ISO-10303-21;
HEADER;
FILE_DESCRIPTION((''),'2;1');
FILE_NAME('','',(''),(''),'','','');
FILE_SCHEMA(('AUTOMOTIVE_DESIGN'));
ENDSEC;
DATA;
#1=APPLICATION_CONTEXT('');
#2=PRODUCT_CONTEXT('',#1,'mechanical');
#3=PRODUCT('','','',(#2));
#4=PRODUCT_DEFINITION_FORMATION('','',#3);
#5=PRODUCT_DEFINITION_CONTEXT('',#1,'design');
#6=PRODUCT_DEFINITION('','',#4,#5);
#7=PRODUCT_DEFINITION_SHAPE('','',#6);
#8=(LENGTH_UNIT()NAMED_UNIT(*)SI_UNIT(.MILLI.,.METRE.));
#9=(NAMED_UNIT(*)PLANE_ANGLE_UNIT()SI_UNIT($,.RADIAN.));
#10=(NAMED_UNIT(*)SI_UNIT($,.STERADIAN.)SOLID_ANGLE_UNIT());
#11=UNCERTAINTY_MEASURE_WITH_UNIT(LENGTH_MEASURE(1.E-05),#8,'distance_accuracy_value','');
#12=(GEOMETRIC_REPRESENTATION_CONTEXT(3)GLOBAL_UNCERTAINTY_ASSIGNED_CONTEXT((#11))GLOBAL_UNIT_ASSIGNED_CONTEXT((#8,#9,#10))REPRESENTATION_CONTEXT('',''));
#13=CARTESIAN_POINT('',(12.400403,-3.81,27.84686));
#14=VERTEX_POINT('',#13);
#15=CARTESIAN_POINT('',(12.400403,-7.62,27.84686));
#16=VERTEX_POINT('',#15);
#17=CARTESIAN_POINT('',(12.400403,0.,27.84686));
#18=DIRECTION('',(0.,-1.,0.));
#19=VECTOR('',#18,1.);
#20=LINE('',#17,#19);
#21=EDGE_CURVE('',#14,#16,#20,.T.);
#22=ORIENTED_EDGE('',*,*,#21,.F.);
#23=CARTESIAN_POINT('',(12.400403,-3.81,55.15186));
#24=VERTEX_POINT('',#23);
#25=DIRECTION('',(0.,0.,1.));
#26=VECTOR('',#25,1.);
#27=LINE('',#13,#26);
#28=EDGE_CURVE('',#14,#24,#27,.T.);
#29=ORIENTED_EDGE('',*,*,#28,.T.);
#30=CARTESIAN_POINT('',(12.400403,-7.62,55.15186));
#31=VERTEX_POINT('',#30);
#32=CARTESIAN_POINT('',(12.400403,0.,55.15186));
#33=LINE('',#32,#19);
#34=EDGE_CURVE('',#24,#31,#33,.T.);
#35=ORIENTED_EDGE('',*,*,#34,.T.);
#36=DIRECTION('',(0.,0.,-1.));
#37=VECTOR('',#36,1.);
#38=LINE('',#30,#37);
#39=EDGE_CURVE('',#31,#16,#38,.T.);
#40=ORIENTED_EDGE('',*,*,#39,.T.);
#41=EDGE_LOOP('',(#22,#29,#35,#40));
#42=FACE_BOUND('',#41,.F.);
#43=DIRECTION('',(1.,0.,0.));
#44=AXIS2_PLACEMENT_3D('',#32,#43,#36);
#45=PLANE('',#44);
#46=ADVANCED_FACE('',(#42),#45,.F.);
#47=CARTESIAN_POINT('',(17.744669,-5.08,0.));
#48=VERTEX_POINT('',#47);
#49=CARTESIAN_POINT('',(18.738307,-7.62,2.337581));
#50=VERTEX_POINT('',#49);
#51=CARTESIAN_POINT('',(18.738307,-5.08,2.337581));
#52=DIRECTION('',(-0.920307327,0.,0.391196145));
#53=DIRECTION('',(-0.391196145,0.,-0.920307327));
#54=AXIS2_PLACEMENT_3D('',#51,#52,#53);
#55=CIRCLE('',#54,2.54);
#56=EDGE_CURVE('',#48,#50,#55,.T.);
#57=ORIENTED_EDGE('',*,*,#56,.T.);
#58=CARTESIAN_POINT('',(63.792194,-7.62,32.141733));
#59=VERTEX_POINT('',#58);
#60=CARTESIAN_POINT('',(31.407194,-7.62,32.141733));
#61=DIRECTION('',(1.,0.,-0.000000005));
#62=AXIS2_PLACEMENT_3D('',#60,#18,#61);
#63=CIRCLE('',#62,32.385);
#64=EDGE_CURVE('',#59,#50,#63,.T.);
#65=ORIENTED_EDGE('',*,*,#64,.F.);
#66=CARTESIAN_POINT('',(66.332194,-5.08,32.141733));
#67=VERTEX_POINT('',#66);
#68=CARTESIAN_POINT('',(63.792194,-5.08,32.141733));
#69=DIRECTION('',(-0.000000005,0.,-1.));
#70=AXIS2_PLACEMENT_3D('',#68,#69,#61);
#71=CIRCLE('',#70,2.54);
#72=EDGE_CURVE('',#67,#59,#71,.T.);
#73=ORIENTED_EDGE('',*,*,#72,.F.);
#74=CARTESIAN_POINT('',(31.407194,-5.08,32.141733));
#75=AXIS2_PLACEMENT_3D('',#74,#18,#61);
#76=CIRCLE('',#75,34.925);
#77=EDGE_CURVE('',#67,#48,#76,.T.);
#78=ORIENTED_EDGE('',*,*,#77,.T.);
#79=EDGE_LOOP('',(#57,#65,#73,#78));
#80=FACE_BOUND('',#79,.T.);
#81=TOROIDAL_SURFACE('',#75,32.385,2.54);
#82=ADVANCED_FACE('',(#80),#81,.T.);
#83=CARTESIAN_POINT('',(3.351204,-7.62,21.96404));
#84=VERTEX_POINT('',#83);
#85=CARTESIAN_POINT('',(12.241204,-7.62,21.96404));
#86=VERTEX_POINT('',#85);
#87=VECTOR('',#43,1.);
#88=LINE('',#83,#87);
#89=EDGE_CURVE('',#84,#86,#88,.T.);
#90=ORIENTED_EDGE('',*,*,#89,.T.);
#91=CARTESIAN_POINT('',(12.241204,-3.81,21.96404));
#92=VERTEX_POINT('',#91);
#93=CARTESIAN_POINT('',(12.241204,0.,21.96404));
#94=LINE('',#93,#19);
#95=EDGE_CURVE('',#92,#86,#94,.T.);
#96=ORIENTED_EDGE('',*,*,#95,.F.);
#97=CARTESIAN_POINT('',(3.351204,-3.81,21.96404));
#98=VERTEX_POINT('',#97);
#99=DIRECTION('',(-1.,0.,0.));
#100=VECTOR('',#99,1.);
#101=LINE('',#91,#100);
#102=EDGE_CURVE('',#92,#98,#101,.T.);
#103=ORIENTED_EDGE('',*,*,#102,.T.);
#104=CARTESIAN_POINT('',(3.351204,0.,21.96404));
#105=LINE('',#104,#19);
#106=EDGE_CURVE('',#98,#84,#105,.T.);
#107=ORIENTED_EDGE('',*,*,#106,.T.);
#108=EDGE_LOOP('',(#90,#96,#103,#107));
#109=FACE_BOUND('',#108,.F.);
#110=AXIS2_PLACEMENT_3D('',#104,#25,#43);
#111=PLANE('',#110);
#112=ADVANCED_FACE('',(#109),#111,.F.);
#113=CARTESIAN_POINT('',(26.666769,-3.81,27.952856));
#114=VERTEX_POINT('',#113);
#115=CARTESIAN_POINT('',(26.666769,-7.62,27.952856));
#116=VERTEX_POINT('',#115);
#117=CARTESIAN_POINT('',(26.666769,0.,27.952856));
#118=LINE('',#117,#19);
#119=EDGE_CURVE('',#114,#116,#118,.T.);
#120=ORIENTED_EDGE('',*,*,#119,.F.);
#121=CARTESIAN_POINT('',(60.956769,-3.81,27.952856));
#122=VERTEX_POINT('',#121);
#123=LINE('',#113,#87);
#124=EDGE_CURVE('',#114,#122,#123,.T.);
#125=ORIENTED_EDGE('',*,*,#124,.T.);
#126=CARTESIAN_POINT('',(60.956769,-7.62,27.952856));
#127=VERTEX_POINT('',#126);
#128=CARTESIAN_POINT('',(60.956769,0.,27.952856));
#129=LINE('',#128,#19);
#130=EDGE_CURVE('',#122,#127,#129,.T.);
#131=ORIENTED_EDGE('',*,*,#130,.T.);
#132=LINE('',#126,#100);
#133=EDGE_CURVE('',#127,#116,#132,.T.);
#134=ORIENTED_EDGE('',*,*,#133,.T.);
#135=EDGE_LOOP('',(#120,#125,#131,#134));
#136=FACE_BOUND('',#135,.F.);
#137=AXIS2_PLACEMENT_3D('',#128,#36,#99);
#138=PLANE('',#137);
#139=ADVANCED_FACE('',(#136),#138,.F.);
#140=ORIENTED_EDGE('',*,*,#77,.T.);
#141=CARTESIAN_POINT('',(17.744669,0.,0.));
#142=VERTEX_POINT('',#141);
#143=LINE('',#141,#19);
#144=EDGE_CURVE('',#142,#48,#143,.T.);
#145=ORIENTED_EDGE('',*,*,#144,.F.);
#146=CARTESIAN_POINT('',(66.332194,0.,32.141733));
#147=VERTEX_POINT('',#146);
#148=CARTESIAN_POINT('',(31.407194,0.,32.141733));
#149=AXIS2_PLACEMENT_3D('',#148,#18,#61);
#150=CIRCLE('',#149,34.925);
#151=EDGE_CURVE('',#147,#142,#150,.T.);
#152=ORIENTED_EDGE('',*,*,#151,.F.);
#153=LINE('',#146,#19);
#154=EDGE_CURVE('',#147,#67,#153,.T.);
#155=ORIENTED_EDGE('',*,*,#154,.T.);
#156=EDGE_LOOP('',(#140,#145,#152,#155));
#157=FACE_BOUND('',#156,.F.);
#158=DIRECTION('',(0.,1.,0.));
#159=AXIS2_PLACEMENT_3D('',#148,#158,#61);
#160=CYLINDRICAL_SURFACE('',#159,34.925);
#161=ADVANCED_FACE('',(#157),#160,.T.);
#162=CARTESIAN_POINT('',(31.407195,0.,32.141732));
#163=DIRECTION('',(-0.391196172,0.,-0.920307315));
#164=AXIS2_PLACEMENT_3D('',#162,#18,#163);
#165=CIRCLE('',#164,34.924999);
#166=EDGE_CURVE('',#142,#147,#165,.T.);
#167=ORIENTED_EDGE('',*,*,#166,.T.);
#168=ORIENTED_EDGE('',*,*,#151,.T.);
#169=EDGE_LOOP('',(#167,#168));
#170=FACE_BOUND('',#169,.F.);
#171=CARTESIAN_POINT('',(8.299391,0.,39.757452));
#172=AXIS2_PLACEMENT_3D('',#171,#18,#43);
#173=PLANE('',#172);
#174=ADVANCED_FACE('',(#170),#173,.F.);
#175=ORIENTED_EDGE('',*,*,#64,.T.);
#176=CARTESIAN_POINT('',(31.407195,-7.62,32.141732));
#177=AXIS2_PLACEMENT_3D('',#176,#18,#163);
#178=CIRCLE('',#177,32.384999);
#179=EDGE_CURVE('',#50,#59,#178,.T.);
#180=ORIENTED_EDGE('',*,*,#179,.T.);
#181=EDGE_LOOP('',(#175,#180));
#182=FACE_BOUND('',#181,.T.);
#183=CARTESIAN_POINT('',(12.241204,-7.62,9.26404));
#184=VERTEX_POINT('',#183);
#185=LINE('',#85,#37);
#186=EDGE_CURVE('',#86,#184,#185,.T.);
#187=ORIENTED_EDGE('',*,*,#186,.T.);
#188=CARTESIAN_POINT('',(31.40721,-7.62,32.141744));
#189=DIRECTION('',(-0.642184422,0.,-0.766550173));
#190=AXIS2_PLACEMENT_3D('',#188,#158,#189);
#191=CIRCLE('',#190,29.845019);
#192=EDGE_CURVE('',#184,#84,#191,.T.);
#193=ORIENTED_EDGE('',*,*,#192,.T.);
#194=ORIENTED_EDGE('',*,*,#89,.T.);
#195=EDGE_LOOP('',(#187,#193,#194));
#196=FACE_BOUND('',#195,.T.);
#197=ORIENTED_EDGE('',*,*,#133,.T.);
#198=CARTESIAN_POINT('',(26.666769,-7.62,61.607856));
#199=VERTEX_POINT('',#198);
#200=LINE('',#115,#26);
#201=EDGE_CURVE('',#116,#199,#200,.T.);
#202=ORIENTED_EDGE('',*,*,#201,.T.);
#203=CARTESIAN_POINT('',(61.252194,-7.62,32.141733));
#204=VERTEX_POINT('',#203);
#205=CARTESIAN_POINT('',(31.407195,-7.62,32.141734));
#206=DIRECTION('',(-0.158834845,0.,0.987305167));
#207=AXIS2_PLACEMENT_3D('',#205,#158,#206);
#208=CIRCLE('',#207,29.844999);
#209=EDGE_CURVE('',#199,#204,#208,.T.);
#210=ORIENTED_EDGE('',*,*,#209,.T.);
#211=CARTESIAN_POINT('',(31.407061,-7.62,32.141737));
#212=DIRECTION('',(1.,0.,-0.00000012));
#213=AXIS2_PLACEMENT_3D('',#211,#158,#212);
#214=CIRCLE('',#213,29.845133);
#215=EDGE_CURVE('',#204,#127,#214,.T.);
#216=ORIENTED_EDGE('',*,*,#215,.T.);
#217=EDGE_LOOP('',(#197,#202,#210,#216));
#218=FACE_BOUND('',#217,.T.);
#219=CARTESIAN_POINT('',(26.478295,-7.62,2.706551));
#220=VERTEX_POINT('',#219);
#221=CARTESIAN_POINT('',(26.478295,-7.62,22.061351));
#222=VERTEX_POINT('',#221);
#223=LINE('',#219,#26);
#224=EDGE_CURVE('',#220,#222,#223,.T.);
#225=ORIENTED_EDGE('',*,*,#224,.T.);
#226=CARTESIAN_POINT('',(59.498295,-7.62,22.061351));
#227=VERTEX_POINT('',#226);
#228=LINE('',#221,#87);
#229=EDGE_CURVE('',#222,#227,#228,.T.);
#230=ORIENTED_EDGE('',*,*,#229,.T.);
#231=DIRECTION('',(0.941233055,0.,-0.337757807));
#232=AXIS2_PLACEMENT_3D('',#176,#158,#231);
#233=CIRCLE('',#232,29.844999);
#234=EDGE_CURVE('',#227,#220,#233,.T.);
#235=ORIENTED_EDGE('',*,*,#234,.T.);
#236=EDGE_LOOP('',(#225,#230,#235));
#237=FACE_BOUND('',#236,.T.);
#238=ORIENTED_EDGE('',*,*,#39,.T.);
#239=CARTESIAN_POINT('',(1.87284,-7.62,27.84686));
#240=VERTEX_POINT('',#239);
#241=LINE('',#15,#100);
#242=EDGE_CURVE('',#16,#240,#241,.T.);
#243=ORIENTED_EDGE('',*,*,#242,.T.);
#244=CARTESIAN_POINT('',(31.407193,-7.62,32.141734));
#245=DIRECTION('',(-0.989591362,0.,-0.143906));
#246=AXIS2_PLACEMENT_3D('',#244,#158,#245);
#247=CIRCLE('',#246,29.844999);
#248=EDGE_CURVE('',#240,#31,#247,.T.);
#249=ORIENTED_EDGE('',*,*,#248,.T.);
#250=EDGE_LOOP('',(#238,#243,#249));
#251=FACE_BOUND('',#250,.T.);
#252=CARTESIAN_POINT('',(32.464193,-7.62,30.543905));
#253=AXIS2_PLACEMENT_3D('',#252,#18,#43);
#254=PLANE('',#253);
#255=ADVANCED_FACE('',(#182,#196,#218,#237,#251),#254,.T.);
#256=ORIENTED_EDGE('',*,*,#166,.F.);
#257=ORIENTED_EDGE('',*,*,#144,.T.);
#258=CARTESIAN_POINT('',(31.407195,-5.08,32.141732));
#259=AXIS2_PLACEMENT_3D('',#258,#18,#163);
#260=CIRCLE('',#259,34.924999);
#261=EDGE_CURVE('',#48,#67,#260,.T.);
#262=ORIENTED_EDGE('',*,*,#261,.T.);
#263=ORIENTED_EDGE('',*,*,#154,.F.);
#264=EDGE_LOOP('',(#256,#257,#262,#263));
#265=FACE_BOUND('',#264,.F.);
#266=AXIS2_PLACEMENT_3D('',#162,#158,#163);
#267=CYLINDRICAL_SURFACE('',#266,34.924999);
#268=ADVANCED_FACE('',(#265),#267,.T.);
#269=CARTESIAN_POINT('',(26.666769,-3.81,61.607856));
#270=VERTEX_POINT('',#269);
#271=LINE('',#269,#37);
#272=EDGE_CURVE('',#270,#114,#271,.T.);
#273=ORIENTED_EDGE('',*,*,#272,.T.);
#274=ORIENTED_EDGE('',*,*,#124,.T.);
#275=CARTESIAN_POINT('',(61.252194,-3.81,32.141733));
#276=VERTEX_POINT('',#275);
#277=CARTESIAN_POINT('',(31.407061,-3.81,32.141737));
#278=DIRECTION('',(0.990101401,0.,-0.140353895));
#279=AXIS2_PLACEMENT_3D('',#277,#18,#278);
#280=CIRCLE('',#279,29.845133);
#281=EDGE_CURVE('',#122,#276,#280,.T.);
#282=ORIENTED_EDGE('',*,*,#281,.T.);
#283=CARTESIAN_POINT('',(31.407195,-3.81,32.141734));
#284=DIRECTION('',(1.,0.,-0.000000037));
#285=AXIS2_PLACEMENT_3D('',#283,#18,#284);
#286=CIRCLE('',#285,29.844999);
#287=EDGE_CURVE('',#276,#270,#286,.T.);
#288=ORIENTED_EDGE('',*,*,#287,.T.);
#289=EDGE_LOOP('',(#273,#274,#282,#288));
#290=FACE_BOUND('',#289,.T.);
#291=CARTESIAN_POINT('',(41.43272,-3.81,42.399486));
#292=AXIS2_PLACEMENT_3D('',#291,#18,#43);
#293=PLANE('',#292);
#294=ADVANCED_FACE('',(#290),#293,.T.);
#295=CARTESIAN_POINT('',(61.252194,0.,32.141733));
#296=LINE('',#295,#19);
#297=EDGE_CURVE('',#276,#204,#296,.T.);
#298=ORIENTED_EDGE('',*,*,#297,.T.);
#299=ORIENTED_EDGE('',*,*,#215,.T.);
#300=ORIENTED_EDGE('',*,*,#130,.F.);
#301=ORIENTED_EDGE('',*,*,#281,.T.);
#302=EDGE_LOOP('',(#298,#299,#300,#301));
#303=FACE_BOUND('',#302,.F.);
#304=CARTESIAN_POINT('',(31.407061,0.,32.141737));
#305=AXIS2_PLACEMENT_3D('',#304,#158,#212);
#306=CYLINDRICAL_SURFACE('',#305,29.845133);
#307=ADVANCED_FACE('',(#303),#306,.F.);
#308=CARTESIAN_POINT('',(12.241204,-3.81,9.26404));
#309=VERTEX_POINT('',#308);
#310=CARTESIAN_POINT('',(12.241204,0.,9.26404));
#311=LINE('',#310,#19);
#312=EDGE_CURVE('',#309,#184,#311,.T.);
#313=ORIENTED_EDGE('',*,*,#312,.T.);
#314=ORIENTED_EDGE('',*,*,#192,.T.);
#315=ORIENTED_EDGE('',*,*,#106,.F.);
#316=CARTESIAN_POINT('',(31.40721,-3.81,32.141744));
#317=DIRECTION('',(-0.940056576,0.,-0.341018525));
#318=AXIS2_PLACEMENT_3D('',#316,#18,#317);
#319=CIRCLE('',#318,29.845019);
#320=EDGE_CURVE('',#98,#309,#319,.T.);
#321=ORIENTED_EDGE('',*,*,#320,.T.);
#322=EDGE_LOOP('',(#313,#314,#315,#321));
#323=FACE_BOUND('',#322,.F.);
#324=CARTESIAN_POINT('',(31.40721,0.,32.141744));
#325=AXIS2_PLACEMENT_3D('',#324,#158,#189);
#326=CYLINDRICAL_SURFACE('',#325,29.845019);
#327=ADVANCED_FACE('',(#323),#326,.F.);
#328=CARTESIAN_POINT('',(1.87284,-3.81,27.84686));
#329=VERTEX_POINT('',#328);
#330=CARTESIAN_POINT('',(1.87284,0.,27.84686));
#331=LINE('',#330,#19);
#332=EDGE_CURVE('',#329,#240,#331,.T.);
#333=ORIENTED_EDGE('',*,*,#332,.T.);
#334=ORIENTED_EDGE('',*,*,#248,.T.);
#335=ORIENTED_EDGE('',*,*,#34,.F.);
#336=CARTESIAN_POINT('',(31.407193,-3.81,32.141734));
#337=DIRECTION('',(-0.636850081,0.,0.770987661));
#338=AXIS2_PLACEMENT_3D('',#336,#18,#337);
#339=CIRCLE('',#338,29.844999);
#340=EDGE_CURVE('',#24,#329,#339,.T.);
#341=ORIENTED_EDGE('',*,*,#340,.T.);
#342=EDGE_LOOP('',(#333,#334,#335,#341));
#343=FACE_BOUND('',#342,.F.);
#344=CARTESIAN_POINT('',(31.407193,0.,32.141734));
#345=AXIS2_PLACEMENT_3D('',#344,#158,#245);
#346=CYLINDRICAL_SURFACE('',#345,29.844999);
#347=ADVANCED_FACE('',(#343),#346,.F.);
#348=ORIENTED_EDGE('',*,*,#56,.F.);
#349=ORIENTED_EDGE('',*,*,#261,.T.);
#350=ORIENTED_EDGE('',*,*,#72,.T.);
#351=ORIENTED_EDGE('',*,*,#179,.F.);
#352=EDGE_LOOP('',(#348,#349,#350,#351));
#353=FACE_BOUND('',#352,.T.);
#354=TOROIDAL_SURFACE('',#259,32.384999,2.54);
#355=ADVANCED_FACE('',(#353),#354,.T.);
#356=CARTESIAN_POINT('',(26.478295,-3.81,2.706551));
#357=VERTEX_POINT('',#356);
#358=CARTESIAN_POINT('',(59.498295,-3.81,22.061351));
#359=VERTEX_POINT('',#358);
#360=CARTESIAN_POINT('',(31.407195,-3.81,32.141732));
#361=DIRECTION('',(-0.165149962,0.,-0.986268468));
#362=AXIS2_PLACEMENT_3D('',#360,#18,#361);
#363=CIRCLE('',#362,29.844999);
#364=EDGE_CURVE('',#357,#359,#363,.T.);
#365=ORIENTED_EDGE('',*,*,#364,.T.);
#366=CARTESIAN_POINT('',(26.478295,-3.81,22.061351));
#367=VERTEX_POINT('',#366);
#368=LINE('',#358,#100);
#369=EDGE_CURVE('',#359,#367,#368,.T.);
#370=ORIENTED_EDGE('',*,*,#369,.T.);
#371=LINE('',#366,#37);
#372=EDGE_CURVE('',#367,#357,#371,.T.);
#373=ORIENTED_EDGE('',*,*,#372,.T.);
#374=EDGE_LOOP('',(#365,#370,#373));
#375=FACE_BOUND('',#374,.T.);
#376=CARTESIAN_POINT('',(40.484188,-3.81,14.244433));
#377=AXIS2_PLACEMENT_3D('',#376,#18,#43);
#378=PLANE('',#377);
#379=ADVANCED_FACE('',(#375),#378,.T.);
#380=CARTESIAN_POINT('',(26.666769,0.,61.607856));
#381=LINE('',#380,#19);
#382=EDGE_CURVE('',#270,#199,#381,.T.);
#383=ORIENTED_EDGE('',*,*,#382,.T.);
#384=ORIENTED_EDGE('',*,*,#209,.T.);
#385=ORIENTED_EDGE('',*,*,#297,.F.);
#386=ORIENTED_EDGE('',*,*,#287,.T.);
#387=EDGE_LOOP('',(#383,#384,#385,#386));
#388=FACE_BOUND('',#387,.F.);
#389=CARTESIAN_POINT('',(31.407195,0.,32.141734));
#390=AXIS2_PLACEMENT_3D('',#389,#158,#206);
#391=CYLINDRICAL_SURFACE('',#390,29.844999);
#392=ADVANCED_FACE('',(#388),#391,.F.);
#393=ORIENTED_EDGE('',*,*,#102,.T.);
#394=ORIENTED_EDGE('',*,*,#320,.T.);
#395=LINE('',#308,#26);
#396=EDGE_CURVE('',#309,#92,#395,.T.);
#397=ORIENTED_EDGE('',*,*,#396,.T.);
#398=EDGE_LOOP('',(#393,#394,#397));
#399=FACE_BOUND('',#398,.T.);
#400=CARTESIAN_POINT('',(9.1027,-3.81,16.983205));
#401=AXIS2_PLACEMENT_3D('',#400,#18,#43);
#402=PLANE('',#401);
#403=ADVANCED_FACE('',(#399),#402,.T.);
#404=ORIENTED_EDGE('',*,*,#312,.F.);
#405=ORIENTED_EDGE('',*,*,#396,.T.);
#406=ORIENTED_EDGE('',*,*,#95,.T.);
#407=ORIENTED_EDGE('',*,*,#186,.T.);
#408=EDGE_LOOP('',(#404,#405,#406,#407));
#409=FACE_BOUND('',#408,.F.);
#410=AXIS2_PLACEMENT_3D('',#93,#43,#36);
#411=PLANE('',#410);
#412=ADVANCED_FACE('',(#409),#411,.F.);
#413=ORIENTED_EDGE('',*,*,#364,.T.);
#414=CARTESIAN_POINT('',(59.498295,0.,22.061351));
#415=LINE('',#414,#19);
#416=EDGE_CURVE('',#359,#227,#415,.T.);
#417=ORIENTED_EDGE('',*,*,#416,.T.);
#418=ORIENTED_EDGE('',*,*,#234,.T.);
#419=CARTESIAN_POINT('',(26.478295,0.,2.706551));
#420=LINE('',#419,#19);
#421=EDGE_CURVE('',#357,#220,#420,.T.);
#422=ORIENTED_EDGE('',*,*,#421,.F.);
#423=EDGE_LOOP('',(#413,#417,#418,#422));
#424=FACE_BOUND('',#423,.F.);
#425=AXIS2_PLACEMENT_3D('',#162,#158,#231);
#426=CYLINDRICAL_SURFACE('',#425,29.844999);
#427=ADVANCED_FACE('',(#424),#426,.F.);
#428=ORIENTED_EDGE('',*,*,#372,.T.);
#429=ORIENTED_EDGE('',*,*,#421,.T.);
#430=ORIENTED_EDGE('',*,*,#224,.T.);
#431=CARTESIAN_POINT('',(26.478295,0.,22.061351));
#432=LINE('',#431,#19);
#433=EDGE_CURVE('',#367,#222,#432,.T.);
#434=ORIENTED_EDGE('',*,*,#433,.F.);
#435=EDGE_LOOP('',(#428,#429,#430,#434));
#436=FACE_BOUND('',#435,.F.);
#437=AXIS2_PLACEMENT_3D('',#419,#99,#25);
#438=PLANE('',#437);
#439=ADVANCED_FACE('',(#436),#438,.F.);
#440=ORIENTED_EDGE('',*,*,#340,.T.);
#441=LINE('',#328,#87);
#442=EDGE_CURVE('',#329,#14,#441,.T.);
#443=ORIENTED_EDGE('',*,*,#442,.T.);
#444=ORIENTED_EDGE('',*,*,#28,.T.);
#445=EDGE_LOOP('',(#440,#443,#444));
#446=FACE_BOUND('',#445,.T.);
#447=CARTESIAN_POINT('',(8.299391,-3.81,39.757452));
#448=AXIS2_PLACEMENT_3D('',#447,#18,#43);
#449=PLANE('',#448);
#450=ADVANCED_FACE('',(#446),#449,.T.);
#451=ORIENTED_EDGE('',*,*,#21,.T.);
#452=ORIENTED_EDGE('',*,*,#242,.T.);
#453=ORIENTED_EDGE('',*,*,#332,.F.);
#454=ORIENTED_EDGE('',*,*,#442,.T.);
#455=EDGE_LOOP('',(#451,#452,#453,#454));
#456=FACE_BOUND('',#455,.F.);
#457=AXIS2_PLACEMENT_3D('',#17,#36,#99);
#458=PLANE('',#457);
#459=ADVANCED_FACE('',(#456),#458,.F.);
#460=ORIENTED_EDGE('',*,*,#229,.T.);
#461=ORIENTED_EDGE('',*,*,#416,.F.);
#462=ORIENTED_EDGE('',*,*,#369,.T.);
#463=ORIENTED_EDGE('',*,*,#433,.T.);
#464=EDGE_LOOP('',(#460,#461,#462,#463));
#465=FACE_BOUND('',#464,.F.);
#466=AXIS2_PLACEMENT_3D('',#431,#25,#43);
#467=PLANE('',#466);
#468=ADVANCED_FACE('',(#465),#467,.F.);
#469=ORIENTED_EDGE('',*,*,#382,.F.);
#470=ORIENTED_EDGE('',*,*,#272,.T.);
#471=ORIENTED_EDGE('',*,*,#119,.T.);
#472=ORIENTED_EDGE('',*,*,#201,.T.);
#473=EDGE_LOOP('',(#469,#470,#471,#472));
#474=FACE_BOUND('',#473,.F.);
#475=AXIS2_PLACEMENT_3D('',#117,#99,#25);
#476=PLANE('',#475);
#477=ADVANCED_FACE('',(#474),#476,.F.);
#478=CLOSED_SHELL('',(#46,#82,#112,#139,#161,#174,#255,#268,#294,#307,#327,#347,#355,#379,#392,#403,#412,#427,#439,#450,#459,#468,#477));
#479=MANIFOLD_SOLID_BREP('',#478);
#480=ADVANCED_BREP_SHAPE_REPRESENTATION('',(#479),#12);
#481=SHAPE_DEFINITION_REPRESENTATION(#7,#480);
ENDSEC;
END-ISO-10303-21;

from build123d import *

# Parameters (mm, degrees)
F1_DEPTH = 7.62
F2_DEPTH = 3.81
F3_R     = 2.54


with BuildPart() as f1:
    # F0 (on Front) → F1 (new body)
    with BuildSketch(Plane.XZ):
        with BuildLine():
            ThreePointArc((17.744669, 0), (50.676236, 3.013402), (66.332194, 32.141733))
            ThreePointArc((66.332194, 32.141733), (12.138153, 61.270064), (17.744669, 0))
        make_face()
        with BuildLine():
            ThreePointArc((26.666769, 61.607856), (50.762375, 54.85959), (61.252194, 32.141733))
            ThreePointArc((61.252194, 32.141733), (61.178246, 30.042092), (60.956769, 27.952856))
            ThreePointArc((60.956769, 27.952856), (60.377684, 24.969932), (59.498295, 22.061351))
            ThreePointArc((59.498295, 22.061351), (46.499376, 6.393916), (26.478295, 2.706551))
            ThreePointArc((26.478295, 2.706551), (18.921559, 5.033931), (12.241204, 9.26404))
            ThreePointArc((12.241204, 9.26404), (6.957218, 15.02675), (3.351204, 21.96404))
            ThreePointArc((3.351204, 21.96404), (2.46218, 24.867794), (1.87284, 27.84686))
            ThreePointArc((1.87284, 27.84686), (3.560265, 42.87824), (12.400403, 55.15186))
            ThreePointArc((12.400403, 55.15186), (19.10262, 59.3322), (26.666769, 61.607856))
        make_face(mode=Mode.SUBTRACT)
        with BuildLine():
            Line((26.666769, 27.952856), (26.666769, 61.607856))
            ThreePointArc((26.666769, 61.607856), (19.10262, 59.3322), (12.400403, 55.15186))
            Line((12.400403, 55.15186), (12.400403, 27.84686))
            Line((12.400403, 27.84686), (1.87284, 27.84686))
            ThreePointArc((1.87284, 27.84686), (2.46218, 24.867794), (3.351204, 21.96404))
            Line((3.351204, 21.96404), (12.241204, 21.96404))
            Line((12.241204, 21.96404), (12.241204, 9.26404))
            ThreePointArc((12.241204, 9.26404), (18.921559, 5.033931), (26.478295, 2.706551))
            Line((26.478295, 2.706551), (26.478295, 22.061351))
            Line((26.478295, 22.061351), (59.498295, 22.061351))
            ThreePointArc((59.498295, 22.061351), (60.377684, 24.969932), (60.956769, 27.952856))
            Line((60.956769, 27.952856), (26.666769, 27.952856))
        make_face()
    extrude(amount=F1_DEPTH)

    # F0 (on Front) → F2 (join)
    with BuildSketch(Plane.XZ):
        with BuildLine():
            Line((12.400403, 27.84686), (12.400403, 55.15186))
            ThreePointArc((12.400403, 55.15186), (3.560265, 42.87824), (1.87284, 27.84686))
            Line((1.87284, 27.84686), (12.400403, 27.84686))
        make_face()
        with BuildLine():
            ThreePointArc((60.956769, 27.952856), (61.178246, 30.042092), (61.252194, 32.141733))
            ThreePointArc((61.252194, 32.141733), (50.762375, 54.85959), (26.666769, 61.607856))
            Line((26.666769, 61.607856), (26.666769, 27.952856))
            Line((26.666769, 27.952856), (60.956769, 27.952856))
        make_face()
        with BuildLine():
            ThreePointArc((26.478295, 2.706551), (46.499376, 6.393916), (59.498295, 22.061351))
            Line((59.498295, 22.061351), (26.478295, 22.061351))
            Line((26.478295, 22.061351), (26.478295, 2.706551))
        make_face()
        with BuildLine():
            Line((12.241204, 21.96404), (3.351204, 21.96404))
            ThreePointArc((3.351204, 21.96404), (6.957218, 15.02675), (12.241204, 9.26404))
            Line((12.241204, 9.26404), (12.241204, 21.96404))
        make_face()
    extrude(amount=F2_DEPTH)

    # F3
    f3_edges = [f1.edges().sort_by_distance(p)[0] for p in [
        (45.06972, -7.62, 64.283466),
    ]]
    fillet(f3_edges, radius=F3_R)


solid = f1.part
